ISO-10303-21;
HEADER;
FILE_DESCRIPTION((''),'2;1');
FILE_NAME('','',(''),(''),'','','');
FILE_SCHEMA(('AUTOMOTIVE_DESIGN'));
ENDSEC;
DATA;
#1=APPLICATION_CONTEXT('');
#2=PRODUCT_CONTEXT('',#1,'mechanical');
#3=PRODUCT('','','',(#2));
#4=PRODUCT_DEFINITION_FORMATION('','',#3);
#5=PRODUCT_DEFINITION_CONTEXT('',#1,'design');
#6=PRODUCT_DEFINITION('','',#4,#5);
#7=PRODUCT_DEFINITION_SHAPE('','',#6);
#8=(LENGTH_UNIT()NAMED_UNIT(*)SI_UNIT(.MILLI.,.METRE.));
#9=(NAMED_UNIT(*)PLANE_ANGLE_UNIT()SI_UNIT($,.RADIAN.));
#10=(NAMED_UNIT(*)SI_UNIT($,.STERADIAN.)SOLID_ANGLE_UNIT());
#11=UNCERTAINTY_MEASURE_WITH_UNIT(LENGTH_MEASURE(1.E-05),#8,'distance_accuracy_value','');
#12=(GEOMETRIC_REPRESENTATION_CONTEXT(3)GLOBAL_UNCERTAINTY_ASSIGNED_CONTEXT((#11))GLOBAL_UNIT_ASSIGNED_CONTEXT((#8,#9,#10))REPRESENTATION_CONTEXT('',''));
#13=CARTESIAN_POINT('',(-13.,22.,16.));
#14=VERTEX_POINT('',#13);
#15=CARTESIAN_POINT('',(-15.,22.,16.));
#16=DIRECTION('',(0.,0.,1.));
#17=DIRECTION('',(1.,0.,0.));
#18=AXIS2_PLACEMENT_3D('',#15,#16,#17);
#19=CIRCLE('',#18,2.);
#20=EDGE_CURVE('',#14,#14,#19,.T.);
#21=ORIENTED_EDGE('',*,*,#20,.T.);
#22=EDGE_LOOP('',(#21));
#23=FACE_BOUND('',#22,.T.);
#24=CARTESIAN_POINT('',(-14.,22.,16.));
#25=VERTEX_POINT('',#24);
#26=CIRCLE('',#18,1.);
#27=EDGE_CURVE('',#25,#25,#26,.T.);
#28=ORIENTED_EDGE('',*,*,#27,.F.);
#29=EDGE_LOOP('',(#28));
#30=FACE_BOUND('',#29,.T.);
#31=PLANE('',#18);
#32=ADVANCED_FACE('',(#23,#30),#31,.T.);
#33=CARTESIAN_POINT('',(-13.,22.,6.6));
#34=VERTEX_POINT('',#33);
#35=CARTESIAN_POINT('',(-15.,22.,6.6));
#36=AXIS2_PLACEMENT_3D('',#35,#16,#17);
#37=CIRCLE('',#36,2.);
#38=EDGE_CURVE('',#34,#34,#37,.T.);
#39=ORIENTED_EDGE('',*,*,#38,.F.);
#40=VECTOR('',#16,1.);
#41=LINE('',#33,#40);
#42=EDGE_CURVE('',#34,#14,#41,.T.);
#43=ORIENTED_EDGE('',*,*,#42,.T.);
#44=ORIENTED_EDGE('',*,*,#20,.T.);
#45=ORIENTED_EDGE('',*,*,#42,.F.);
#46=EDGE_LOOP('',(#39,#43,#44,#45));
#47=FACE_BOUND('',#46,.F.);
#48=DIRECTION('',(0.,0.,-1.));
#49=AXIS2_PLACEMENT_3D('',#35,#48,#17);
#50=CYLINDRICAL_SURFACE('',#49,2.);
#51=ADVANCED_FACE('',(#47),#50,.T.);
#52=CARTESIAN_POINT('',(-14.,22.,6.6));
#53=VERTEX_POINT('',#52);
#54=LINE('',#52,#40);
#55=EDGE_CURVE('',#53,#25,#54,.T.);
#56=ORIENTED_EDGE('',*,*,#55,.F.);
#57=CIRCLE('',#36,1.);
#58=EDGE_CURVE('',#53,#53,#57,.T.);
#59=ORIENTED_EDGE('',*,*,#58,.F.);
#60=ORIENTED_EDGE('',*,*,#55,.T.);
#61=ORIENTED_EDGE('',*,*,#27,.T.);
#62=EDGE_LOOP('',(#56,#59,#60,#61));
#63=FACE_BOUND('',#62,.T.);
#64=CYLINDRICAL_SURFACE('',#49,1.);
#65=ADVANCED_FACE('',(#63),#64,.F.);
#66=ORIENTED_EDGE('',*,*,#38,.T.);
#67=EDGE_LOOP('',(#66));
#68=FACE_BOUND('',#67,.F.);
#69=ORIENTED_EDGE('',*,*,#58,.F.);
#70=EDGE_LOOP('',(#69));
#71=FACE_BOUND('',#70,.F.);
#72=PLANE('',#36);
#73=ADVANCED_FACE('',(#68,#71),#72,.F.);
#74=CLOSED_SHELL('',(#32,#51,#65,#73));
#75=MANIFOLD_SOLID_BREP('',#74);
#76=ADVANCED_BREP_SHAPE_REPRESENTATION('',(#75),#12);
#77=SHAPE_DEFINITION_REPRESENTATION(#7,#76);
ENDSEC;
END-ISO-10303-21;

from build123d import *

# Parameters (mm, degrees)
SKETCH316_R      = 1
EXTRUDE183_DEPTH = 9.4
SKETCH317_R      = 2
EXTRUDE184_DEPTH = 9.4


with BuildPart() as extrude183:
    # Sketch316 → Extrude183 (new body)
    with BuildSketch(Plane.XY.offset(6.6)):
        with Locations((36, -22)):
            Circle(SKETCH316_R)
    extrude(amount=EXTRUDE183_DEPTH)


with BuildPart() as cut082:
    # Sketch317 → Extrude184 (new body)
    with BuildSketch(Plane.XY.offset(6.6)):
        with Locations((36, -22)):
            Circle(SKETCH317_R)
    extrude(amount=EXTRUDE184_DEPTH)

    # Cut082: cut Extrude183
    add(extrude183.part, mode=Mode.SUBTRACT)


with BuildPart() as cut082_1:
    # Cut082 placement: moved
    add(cut082.part.moved(Location((-51, 44, 0))))


solid = cut082_1.part
